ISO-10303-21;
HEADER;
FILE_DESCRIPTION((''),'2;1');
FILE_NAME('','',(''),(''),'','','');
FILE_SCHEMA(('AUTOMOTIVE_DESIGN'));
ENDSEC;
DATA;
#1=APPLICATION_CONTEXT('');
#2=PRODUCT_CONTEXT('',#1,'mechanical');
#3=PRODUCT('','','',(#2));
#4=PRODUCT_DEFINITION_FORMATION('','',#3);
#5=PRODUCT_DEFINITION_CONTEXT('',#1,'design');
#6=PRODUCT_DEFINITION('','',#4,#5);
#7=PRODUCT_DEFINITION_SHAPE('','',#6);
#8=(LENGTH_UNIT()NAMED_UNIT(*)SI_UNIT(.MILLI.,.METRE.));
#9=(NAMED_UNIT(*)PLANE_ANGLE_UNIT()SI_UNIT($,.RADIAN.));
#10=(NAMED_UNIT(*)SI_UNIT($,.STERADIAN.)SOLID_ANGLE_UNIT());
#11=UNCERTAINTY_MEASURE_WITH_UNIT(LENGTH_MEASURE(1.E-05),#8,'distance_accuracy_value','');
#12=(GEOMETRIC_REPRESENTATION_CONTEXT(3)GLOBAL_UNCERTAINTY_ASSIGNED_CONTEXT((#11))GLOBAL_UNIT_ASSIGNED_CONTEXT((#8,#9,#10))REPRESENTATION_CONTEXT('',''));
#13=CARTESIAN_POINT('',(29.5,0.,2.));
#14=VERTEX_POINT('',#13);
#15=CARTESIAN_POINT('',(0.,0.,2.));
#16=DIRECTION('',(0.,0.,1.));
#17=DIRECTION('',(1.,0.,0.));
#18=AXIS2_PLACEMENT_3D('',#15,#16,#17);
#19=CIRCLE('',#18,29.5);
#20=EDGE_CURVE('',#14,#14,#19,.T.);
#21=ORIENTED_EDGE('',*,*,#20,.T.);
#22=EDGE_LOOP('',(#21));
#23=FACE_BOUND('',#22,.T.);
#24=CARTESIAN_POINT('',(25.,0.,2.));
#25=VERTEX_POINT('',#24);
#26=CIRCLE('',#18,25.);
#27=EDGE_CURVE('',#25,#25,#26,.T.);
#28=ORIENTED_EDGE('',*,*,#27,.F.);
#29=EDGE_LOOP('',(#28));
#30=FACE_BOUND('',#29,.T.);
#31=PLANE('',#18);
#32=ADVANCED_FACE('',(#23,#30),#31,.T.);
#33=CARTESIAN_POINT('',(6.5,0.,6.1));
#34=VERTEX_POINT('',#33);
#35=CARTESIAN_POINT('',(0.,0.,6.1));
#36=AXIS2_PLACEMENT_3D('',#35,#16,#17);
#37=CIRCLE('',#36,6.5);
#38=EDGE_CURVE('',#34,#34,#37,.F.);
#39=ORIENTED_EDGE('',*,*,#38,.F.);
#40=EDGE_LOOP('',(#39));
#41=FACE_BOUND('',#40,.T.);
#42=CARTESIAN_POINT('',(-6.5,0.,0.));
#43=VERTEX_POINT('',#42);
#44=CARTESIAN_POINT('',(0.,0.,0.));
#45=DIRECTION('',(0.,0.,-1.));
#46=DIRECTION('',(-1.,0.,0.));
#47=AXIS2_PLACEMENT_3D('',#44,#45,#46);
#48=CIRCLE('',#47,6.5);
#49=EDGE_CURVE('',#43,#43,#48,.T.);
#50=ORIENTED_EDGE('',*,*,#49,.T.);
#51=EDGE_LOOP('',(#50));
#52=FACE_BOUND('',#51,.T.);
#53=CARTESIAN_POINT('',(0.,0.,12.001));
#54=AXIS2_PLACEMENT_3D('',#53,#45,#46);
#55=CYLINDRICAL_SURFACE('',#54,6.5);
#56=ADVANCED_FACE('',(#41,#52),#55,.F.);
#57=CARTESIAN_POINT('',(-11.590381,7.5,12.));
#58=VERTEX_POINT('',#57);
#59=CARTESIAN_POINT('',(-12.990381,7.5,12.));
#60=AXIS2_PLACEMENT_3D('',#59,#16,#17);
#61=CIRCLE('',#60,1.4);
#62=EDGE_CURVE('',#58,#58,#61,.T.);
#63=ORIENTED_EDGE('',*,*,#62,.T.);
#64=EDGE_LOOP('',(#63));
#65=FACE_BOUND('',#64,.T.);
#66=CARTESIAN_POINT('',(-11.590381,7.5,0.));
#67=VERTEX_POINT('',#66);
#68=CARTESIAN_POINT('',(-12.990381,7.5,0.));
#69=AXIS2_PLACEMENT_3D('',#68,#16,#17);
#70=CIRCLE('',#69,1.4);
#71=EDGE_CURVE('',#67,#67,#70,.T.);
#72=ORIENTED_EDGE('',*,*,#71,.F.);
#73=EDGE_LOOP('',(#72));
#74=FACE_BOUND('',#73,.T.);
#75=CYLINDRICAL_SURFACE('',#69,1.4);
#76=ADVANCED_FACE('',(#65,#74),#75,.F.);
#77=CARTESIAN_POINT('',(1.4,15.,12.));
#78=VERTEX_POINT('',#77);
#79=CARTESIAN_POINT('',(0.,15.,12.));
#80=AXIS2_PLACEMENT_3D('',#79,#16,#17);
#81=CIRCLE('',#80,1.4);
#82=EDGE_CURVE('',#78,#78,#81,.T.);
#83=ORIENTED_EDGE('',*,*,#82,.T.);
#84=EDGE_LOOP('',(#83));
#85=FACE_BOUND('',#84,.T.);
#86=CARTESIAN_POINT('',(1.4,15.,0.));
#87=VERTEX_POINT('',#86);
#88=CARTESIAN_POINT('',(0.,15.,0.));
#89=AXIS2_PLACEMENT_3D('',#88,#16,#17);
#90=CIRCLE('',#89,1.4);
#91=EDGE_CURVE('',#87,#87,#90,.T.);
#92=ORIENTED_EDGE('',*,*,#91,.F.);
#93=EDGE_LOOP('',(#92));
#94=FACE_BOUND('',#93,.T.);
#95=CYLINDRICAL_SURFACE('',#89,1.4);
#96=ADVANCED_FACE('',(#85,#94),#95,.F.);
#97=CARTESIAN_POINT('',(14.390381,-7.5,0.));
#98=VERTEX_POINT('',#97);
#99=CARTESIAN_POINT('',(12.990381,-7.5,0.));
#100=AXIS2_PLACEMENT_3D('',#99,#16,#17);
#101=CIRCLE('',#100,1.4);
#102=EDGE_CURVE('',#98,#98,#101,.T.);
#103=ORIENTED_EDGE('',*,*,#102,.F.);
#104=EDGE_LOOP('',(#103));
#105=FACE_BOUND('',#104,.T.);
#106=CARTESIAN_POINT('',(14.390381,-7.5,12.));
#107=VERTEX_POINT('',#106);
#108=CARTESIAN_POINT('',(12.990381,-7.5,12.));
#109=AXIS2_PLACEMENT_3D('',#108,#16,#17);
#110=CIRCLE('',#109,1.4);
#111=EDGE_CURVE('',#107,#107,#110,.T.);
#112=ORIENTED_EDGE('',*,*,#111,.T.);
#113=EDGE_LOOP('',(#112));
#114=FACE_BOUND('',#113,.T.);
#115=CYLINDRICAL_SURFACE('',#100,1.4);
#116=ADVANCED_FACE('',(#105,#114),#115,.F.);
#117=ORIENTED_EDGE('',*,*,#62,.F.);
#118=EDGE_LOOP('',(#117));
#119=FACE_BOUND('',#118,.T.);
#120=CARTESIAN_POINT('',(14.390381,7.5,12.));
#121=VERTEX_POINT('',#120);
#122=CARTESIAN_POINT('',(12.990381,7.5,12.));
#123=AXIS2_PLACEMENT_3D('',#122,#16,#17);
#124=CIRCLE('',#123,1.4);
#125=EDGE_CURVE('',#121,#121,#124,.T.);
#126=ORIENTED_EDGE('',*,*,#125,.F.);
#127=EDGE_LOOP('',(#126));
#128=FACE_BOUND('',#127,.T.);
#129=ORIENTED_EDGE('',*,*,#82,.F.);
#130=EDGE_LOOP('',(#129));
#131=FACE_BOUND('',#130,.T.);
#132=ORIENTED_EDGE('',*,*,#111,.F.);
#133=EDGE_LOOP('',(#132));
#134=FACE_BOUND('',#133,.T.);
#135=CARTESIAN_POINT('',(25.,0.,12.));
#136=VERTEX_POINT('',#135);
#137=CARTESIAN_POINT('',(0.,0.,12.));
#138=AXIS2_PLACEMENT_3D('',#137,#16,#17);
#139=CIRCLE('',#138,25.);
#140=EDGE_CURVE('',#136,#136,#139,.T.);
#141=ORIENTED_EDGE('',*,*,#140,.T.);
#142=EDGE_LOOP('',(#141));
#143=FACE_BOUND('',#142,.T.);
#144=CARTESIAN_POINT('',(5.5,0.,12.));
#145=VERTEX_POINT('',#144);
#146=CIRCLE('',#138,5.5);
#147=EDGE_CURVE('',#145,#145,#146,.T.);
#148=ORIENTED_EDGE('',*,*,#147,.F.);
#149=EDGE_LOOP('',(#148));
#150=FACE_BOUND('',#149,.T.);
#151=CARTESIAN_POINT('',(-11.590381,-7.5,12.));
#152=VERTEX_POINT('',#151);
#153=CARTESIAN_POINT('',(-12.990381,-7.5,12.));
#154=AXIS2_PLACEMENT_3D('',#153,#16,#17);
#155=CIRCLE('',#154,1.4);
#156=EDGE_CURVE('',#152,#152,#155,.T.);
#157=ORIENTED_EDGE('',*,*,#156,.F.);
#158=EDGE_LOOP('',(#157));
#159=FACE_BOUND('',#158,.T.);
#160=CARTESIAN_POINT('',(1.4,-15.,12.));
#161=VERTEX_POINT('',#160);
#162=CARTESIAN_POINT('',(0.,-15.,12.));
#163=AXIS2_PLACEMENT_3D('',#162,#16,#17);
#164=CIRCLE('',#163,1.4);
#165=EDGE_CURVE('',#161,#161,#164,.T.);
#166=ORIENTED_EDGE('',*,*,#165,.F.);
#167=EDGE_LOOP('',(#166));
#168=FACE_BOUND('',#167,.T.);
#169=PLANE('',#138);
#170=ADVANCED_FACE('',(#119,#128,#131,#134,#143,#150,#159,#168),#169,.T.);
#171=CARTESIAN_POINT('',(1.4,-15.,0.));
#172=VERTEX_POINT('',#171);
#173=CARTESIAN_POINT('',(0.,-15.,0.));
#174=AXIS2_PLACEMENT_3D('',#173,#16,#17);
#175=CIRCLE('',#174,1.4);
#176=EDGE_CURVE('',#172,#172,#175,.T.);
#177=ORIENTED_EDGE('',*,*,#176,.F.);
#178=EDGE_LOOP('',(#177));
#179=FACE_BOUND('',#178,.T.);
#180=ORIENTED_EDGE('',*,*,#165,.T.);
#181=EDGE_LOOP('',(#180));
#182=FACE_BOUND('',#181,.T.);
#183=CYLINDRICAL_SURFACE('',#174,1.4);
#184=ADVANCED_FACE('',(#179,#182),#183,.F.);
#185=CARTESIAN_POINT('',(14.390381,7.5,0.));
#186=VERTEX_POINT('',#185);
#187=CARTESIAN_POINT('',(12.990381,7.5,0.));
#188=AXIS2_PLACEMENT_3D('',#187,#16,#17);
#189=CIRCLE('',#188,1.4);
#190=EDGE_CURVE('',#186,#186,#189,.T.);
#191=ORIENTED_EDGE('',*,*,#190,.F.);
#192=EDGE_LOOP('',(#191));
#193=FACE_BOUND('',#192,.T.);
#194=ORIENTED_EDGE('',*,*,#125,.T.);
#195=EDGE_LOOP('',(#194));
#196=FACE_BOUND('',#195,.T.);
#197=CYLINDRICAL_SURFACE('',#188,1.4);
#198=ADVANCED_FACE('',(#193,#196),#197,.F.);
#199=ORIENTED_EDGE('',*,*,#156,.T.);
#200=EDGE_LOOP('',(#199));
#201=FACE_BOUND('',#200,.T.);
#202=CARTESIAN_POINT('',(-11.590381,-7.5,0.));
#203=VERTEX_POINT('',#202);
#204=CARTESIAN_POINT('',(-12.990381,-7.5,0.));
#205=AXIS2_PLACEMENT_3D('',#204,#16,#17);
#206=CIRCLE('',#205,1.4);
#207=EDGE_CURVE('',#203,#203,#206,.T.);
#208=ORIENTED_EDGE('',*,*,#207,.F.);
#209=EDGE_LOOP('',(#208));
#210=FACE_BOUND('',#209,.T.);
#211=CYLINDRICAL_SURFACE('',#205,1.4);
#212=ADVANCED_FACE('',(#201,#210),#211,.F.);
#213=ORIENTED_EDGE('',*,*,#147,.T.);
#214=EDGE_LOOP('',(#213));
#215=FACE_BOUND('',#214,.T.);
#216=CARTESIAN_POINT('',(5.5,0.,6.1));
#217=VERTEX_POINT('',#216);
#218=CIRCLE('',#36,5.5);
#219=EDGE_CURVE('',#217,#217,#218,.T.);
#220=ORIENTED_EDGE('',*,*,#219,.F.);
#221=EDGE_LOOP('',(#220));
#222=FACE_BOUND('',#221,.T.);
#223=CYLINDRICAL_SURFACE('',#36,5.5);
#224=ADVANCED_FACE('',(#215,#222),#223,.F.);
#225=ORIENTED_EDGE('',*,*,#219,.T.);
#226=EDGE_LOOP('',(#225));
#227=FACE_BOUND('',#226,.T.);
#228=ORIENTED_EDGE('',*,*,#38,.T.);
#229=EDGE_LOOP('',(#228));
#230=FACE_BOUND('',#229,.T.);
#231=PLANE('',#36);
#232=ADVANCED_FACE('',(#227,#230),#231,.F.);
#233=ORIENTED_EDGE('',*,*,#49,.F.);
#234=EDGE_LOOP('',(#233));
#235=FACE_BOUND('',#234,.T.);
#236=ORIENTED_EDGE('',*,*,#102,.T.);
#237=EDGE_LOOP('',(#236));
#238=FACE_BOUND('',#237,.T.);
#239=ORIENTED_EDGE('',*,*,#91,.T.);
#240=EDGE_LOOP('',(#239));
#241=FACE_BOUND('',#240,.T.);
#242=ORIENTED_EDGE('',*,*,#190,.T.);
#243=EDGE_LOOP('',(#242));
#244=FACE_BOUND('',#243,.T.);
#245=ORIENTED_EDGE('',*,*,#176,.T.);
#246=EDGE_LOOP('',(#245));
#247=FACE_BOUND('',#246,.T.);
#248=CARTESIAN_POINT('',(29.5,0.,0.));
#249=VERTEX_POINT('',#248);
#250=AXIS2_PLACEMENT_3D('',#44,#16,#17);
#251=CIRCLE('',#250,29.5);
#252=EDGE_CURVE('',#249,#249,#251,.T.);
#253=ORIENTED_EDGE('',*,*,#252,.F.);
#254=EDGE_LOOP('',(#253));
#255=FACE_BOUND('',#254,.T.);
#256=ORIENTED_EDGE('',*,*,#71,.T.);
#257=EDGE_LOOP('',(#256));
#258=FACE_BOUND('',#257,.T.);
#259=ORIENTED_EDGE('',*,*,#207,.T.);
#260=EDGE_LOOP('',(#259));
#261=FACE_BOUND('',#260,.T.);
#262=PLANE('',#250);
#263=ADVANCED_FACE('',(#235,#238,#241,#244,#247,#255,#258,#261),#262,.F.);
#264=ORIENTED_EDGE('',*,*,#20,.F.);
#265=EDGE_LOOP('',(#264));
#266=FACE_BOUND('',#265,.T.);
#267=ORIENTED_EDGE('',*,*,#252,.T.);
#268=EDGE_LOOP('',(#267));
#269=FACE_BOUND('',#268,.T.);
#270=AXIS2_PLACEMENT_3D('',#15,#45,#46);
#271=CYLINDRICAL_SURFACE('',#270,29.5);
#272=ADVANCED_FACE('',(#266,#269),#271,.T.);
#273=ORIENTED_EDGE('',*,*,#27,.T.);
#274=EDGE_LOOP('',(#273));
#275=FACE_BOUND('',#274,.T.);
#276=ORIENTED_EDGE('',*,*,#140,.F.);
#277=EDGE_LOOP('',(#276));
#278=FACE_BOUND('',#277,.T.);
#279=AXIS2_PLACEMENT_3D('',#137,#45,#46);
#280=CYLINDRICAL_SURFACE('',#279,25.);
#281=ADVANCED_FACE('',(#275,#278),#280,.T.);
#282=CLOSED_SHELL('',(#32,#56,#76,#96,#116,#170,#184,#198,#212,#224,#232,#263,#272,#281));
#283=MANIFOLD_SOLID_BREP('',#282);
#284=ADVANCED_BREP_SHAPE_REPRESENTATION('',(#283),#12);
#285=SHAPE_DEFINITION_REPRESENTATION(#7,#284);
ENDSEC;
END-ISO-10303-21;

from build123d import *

# Parameters (mm, degrees)
SKETCH_2_R          = 29.5
EXTRUDE_1_DEPTH     = 2
SKETCH_3_R          = 25
EXTRUDE_2_DEPTH     = 10
SKETCH_7_R          = 1.4
CUT_EXTRUDE_3_DEPTH = 12
CUT_EXTRUDE_4_REACH = 45.411
SKETCH_9_R          = 6.5
EXTRUDE_START       = -5.9
SKETCH_10_R         = 6.5
SKETCH_10_R_2       = 5.5
EXTRUDE_4_DEPTH     = 5.9


with BuildPart() as part:
    # 草图2 → 凸台-拉伸1 (new body)
    with BuildSketch(Plane.XY):
        Circle(SKETCH_2_R)
    extrude(amount=EXTRUDE_1_DEPTH)

    # 草图3 → 凸台-拉伸2 (add)
    with BuildSketch(Plane.XY.offset(2)):
        Circle(SKETCH_3_R)
    extrude(amount=EXTRUDE_2_DEPTH)

    # 草图7 → 切除-拉伸3 (cut)
    with BuildSketch(Plane.XY.offset(12)):
        with Locations((12.990381057, 7.5)):
            Circle(SKETCH_7_R)
        with Locations((12.990381057, -7.5)):
            Circle(SKETCH_7_R)
        with Locations((0, -15)):
            Circle(SKETCH_7_R)
        with Locations((-12.990381057, -7.5)):
            Circle(SKETCH_7_R)
        with Locations((-12.990381057, 7.5)):
            Circle(SKETCH_7_R)
        with Locations((0, 15)):
            Circle(SKETCH_7_R)
    extrude(amount=-CUT_EXTRUDE_3_DEPTH, mode=Mode.SUBTRACT)

    # 草图9 → 切除-拉伸4 (cut, up to next)
    with BuildSketch(Plane(origin=(0, 0, 0), x_dir=(-1, 0, 0), z_dir=(0, 0, -1)), mode=Mode.PRIVATE) as cut_extrude_4_sk1:
        Circle(SKETCH_9_R)
    cut_extrude_4_tool1 = extrude(cut_extrude_4_sk1.sketch, amount=-CUT_EXTRUDE_4_REACH, mode=Mode.PRIVATE) & part.part
    add(cut_extrude_4_tool1.solids().sort_by_distance((0, 0, 0))[0], mode=Mode.SUBTRACT)

    # 草图10 → 凸台-拉伸4 (add)
    with BuildSketch(Plane.XY.offset(12).offset(EXTRUDE_START)):
        with Locations(Location((0, 0, 0), (0, 0, 180))):
            Circle(SKETCH_10_R)
        Circle(SKETCH_10_R_2, mode=Mode.SUBTRACT)
    extrude(amount=EXTRUDE_4_DEPTH)


solid = part.part
